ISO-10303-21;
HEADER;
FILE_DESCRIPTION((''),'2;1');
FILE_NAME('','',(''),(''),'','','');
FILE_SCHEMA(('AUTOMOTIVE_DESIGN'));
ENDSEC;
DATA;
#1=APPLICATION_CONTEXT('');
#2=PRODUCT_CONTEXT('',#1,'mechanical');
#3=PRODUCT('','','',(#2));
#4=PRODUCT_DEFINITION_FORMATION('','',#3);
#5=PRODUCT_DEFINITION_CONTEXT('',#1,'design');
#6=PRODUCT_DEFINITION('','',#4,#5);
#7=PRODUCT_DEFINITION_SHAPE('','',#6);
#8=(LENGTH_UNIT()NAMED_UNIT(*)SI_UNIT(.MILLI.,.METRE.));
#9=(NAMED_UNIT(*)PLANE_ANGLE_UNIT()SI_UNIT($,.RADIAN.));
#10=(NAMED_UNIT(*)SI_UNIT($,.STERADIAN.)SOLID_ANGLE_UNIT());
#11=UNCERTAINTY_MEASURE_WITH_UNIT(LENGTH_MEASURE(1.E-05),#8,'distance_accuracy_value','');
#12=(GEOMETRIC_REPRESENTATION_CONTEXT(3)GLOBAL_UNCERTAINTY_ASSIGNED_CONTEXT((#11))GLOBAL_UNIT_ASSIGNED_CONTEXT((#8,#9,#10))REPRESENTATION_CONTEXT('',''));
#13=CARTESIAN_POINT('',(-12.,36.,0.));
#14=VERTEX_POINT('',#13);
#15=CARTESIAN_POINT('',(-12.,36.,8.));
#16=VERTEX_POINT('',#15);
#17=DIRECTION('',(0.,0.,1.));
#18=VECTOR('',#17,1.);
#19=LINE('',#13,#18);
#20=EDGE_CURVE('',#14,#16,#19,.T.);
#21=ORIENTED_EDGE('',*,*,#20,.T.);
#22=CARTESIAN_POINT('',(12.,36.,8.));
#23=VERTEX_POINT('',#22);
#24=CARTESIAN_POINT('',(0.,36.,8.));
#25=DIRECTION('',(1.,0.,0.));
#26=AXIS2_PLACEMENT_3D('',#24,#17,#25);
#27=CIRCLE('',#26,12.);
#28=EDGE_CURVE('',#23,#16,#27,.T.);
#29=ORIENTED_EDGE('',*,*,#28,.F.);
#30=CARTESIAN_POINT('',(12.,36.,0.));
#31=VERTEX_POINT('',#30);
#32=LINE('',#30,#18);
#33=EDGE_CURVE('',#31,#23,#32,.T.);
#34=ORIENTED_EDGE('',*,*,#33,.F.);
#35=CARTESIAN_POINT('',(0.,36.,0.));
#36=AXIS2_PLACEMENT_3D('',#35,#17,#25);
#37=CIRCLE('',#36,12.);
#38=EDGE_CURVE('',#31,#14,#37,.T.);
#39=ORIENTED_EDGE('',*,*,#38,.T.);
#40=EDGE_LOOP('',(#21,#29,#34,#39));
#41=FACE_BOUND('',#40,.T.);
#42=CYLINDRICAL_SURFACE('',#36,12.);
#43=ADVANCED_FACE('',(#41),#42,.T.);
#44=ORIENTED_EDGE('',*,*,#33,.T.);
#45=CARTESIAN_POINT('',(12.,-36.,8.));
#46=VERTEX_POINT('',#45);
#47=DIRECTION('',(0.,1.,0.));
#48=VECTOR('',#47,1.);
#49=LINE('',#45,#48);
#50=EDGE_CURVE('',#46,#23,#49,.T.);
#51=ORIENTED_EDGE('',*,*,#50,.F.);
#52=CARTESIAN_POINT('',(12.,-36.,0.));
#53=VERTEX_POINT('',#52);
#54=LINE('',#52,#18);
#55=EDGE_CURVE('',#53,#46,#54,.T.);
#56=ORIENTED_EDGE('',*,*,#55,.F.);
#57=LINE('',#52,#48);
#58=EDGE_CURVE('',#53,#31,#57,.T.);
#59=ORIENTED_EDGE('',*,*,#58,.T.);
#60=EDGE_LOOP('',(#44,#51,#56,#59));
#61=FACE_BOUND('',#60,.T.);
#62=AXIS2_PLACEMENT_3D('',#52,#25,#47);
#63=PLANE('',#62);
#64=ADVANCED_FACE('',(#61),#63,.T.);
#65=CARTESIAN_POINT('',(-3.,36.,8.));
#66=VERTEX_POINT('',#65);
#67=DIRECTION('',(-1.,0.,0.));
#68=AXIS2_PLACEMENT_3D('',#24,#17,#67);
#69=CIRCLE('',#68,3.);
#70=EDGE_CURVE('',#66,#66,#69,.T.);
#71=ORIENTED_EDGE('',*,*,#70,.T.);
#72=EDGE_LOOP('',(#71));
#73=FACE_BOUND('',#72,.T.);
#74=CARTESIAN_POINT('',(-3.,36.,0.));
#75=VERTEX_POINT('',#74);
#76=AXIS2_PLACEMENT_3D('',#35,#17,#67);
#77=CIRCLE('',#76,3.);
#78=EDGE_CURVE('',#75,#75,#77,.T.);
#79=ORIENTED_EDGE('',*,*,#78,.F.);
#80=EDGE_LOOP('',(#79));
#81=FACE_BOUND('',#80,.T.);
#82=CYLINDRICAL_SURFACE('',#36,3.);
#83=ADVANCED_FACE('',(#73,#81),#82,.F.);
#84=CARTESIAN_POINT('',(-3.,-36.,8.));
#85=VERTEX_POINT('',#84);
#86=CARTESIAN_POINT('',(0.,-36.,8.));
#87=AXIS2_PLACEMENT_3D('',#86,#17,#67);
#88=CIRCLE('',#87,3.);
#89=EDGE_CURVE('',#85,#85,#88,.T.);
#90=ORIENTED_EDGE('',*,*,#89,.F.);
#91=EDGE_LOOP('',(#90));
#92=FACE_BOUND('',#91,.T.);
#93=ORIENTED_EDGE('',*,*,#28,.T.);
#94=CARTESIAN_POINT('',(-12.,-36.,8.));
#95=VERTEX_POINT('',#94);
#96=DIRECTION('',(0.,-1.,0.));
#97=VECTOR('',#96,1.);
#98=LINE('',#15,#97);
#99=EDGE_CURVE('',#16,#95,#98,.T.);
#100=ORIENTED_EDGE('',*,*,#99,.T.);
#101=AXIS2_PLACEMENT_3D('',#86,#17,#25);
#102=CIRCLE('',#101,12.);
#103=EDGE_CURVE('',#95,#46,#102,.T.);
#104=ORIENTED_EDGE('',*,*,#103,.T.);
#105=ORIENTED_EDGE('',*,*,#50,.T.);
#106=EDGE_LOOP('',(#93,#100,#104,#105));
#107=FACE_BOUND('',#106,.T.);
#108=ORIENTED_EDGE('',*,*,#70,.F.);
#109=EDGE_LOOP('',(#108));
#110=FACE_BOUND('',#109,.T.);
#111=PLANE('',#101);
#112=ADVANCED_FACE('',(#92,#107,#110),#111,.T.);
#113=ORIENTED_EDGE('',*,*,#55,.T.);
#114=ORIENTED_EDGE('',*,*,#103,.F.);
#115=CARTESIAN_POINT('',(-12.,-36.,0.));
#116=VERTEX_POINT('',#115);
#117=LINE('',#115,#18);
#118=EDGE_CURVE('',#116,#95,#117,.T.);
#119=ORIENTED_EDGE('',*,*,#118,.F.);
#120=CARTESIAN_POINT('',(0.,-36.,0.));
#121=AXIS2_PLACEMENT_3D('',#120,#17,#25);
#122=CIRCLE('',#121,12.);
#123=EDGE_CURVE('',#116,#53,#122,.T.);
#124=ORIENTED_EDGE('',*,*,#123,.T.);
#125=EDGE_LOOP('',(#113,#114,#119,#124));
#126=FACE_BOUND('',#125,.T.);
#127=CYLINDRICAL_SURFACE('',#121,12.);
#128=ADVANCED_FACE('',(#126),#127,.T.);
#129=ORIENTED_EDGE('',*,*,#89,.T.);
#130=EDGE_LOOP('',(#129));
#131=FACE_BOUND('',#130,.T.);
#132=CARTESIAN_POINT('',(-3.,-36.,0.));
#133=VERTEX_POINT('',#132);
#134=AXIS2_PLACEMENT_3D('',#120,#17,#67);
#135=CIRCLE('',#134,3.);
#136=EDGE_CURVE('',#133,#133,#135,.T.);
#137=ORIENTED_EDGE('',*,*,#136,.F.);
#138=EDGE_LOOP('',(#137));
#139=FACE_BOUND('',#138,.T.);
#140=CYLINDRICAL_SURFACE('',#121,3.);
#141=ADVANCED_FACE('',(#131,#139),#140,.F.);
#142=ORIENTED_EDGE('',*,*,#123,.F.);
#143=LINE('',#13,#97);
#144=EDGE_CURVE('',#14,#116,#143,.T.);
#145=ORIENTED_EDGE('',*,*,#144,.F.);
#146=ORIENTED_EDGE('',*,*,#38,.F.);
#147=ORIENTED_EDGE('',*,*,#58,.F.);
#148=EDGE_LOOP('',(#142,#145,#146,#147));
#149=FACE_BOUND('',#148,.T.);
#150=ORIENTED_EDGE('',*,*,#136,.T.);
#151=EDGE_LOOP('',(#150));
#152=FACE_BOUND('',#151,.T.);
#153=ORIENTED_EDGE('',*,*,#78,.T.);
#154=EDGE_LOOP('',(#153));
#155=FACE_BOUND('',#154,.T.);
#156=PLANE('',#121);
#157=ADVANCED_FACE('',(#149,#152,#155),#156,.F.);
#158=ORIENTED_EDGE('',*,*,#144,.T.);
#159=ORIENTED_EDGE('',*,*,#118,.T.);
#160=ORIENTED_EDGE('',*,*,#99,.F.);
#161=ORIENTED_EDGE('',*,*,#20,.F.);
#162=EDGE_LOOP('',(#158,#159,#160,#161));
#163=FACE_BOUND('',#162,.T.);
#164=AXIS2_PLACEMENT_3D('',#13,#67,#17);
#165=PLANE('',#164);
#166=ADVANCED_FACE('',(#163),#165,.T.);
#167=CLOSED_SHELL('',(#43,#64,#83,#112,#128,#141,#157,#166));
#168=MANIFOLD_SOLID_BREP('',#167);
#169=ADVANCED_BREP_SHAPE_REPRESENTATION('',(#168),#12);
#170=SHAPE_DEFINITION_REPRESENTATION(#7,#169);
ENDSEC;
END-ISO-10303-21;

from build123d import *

# Parameters (mm, degrees)
SKETCH_1_R      = 3
EXTRUDE_1_DEPTH = 8


with BuildPart() as part:
    # 草图1 → 凸台-拉伸1 (new body)
    with BuildSketch(Plane.XY.offset(8)):
        with BuildLine():
            Line((12, -36), (12, 36))
            ThreePointArc((12, 36), (0, 48), (-12, 36))
            Line((-12, 36), (-12, -36))
            ThreePointArc((-12, -36), (0, -48), (12, -36))
        make_face()
        with Locations(Location((0, -36, 0), (0, 0, 180))):
            Circle(SKETCH_1_R, mode=Mode.SUBTRACT)
        with Locations(Location((0, 36, 0), (0, 0, 180))):
            Circle(SKETCH_1_R, mode=Mode.SUBTRACT)
    extrude(amount=-EXTRUDE_1_DEPTH)


solid = part.part
